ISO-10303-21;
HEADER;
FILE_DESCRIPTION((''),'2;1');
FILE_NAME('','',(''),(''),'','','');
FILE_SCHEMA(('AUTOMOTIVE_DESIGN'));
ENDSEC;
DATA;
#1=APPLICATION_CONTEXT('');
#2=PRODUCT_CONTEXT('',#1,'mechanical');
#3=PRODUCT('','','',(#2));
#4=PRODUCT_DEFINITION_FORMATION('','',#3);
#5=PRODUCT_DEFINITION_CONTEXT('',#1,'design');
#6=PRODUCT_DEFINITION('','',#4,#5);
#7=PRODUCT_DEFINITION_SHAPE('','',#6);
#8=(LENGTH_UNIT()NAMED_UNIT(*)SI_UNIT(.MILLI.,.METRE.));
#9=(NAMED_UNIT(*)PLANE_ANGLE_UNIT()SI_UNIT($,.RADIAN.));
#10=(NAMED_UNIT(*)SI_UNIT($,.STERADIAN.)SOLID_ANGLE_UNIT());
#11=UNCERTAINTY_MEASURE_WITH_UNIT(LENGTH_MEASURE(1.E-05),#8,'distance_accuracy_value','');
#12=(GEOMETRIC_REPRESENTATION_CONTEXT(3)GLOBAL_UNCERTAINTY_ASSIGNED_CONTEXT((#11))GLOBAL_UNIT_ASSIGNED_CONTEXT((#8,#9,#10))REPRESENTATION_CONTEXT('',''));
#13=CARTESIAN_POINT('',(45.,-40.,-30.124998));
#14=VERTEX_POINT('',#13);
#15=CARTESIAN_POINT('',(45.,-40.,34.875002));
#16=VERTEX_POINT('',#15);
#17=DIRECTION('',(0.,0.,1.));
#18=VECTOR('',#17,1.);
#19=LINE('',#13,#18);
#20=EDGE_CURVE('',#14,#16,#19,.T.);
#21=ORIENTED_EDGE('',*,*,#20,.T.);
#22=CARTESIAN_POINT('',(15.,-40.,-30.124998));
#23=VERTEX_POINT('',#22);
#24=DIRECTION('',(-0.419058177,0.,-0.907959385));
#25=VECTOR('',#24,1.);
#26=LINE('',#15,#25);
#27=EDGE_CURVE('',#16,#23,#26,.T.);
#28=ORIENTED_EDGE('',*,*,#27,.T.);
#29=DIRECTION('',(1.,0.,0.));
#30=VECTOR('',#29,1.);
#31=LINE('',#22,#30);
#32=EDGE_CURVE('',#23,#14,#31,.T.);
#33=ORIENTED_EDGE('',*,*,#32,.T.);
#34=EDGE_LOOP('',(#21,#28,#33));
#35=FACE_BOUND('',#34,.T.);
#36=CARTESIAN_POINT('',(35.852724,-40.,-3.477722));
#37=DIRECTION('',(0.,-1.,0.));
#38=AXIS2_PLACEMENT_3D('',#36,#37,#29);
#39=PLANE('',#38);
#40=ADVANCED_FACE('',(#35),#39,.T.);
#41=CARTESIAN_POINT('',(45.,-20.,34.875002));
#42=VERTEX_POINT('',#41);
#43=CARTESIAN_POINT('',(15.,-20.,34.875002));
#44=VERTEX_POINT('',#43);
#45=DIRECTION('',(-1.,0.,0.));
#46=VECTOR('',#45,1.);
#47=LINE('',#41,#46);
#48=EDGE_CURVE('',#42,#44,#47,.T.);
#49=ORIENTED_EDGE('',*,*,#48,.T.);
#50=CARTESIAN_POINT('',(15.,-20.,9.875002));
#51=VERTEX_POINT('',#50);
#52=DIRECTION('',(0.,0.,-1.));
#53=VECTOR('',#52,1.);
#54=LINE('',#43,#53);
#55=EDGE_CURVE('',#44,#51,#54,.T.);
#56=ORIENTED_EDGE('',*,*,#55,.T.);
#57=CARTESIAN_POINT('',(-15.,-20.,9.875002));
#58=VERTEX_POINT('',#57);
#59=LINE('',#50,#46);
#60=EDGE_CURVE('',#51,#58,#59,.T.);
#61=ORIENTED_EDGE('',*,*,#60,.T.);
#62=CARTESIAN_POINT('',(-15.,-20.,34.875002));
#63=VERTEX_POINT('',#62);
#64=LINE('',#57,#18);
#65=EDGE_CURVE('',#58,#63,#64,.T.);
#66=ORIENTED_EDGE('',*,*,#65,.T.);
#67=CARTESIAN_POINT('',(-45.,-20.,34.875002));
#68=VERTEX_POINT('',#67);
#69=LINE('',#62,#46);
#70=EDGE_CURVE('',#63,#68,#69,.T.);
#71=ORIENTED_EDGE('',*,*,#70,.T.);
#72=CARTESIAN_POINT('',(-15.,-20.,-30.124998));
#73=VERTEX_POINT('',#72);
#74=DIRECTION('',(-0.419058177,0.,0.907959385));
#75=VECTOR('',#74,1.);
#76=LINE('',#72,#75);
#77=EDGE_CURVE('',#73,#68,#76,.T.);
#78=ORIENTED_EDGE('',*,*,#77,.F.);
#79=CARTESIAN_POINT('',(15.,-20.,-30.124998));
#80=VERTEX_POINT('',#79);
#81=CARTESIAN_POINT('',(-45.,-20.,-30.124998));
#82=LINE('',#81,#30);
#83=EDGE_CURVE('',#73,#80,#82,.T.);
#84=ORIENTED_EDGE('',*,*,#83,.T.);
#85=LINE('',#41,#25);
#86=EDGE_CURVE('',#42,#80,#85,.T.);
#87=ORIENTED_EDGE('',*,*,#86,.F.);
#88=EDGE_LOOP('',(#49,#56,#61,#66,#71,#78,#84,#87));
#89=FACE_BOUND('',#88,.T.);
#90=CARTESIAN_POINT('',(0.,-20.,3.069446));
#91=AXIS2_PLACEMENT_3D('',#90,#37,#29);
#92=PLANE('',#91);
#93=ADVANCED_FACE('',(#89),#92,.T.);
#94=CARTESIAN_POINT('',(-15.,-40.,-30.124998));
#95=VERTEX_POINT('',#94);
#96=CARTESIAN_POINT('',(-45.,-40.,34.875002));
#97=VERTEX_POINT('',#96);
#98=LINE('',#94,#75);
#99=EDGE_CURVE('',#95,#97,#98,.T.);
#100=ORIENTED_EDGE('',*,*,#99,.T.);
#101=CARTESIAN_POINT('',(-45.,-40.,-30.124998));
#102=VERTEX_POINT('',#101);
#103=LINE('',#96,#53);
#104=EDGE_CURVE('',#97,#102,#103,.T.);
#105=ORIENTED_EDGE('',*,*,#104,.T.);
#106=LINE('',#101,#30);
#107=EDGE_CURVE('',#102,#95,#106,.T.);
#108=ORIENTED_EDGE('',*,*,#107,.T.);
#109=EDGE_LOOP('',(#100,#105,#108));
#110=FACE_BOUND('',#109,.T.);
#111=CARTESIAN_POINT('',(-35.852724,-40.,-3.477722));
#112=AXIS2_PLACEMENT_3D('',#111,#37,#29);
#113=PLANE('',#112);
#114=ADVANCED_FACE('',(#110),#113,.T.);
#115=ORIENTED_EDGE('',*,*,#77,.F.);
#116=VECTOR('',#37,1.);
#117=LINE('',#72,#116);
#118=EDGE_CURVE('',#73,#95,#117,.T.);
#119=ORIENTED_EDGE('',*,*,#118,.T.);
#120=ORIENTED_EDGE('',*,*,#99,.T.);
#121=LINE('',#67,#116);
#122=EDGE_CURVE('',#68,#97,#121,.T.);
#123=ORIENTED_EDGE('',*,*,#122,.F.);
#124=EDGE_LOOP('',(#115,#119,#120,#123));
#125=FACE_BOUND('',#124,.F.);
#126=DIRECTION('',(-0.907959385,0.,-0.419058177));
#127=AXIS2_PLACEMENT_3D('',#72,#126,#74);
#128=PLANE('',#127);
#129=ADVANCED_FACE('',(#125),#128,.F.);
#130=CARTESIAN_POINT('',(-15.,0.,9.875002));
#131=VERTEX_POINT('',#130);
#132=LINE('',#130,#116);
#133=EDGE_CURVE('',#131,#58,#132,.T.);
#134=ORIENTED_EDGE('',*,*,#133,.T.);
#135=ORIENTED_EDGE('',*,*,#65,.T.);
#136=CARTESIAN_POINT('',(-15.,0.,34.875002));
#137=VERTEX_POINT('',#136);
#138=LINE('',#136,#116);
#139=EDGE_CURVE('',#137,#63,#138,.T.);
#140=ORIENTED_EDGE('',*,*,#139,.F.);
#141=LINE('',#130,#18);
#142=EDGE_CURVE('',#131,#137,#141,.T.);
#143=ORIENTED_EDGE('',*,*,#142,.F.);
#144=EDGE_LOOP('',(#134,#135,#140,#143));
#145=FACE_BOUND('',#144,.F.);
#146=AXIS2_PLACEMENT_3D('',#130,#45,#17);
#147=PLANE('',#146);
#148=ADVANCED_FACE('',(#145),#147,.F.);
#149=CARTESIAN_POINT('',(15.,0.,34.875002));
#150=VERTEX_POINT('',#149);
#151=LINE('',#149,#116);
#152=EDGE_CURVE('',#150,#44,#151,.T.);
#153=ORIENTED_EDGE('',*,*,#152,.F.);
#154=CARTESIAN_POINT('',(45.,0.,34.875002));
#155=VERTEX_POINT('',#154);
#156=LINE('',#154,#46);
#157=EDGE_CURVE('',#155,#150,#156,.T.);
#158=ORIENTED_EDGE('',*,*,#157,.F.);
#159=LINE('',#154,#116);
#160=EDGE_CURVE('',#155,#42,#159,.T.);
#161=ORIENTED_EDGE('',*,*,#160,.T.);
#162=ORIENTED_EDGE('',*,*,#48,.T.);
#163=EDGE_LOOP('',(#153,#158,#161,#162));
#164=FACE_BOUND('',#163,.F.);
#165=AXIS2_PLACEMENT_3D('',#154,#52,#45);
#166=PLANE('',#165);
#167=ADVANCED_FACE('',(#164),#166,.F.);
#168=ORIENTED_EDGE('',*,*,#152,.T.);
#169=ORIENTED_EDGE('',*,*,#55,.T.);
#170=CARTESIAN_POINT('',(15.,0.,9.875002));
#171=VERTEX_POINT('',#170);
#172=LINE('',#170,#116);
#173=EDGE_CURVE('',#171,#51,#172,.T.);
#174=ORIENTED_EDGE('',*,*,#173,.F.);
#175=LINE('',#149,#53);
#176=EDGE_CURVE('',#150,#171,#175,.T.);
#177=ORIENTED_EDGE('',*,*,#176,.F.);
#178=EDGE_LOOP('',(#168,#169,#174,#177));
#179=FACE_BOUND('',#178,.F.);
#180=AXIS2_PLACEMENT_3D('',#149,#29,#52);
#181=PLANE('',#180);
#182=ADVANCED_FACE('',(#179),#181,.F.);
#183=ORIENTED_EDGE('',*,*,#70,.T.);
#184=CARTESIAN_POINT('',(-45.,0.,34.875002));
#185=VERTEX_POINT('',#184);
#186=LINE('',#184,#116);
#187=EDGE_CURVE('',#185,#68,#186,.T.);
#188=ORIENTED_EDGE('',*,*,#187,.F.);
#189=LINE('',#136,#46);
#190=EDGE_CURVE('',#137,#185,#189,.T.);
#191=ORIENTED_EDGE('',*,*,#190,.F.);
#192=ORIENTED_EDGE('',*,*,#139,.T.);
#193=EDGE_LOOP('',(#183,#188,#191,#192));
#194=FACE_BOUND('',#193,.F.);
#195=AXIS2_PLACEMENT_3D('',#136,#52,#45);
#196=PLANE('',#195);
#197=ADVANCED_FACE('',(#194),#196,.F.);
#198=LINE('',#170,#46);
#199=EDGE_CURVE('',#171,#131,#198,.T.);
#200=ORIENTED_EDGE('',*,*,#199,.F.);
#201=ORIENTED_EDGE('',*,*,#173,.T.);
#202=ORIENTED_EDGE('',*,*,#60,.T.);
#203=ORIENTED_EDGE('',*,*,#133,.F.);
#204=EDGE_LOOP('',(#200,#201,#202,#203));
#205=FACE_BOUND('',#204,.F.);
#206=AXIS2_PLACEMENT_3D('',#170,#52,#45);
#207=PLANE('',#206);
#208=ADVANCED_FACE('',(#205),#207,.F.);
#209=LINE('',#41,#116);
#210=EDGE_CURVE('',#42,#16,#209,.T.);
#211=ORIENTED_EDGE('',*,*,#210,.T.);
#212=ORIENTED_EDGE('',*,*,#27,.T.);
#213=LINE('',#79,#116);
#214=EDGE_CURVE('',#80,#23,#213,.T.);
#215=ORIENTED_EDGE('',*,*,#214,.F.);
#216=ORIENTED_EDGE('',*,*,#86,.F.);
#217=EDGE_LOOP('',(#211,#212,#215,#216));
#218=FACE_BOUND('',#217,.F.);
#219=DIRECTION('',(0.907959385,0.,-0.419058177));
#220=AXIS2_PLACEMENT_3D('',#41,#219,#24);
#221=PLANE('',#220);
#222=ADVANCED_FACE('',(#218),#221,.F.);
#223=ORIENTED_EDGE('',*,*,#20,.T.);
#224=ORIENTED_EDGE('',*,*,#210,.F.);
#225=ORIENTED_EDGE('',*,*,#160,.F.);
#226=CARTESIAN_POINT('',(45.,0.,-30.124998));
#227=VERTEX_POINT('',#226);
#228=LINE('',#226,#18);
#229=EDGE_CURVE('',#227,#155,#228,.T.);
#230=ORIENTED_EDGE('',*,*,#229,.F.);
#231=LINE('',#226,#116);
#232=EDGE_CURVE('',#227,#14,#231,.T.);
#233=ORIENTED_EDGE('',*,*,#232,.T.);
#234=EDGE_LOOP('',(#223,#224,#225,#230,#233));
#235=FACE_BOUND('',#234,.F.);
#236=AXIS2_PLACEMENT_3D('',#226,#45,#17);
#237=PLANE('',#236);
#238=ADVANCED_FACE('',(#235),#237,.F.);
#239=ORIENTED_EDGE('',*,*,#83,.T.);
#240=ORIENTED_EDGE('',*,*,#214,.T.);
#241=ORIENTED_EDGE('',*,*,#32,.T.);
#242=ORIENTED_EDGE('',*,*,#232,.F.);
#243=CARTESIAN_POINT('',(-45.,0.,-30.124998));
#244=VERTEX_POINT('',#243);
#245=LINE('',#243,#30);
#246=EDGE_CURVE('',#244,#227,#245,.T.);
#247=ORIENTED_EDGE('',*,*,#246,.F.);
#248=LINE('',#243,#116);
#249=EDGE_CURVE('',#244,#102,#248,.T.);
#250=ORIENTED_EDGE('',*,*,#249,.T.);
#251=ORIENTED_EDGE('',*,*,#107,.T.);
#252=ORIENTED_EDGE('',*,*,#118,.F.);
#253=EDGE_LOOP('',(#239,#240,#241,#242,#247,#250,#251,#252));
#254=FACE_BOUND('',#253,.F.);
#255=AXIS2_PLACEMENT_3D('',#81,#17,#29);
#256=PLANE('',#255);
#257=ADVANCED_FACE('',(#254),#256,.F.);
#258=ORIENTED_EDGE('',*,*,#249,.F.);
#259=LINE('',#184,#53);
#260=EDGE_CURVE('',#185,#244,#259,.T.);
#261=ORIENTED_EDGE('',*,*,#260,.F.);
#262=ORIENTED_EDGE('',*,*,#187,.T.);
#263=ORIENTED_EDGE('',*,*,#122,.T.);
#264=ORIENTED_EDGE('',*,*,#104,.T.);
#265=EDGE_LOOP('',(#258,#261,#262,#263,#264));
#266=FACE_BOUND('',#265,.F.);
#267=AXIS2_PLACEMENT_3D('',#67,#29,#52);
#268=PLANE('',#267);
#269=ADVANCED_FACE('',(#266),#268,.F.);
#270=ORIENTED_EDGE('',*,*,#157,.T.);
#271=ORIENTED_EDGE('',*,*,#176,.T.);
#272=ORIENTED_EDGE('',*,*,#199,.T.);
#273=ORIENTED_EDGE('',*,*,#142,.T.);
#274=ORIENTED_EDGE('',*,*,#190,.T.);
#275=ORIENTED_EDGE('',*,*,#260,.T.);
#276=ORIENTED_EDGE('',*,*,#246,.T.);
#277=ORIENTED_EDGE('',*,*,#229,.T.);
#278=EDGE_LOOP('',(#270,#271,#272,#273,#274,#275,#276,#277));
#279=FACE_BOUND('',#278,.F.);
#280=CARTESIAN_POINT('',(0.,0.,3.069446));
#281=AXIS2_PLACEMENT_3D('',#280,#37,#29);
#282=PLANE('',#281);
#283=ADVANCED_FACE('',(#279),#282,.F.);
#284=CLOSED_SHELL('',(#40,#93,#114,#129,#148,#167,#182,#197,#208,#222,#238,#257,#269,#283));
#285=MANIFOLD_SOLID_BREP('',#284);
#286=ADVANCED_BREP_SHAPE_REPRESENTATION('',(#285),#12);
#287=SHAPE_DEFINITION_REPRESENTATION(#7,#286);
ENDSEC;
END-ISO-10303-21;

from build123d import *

# Parameters (mm, degrees)
F1_DEPTH = 20
F3_DEPTH = 20


with BuildPart() as f1:
    # F0 (on Front) → F1 (new body)
    with BuildSketch(Plane.XZ):
        Polygon((-45, 34.875002), (-45, -30.124998), (0, -30.124998), (45, -30.124998), (45, 34.875002), (15, 34.875002), (15, 9.875002), (-15, 9.875002), (-15, 34.875002), align=None)
    extrude(amount=F1_DEPTH)

    # F2 (on face) → F3 (join)
    with BuildSketch(Plane.XZ.offset(20)):
        Polygon((-45, 34.875002), (-45, -30.124998), (-15, -30.124998), align=None)
        Polygon((45, 34.875002), (15, -30.124998), (45, -30.124998), align=None)
    extrude(amount=F3_DEPTH)


solid = f1.part
